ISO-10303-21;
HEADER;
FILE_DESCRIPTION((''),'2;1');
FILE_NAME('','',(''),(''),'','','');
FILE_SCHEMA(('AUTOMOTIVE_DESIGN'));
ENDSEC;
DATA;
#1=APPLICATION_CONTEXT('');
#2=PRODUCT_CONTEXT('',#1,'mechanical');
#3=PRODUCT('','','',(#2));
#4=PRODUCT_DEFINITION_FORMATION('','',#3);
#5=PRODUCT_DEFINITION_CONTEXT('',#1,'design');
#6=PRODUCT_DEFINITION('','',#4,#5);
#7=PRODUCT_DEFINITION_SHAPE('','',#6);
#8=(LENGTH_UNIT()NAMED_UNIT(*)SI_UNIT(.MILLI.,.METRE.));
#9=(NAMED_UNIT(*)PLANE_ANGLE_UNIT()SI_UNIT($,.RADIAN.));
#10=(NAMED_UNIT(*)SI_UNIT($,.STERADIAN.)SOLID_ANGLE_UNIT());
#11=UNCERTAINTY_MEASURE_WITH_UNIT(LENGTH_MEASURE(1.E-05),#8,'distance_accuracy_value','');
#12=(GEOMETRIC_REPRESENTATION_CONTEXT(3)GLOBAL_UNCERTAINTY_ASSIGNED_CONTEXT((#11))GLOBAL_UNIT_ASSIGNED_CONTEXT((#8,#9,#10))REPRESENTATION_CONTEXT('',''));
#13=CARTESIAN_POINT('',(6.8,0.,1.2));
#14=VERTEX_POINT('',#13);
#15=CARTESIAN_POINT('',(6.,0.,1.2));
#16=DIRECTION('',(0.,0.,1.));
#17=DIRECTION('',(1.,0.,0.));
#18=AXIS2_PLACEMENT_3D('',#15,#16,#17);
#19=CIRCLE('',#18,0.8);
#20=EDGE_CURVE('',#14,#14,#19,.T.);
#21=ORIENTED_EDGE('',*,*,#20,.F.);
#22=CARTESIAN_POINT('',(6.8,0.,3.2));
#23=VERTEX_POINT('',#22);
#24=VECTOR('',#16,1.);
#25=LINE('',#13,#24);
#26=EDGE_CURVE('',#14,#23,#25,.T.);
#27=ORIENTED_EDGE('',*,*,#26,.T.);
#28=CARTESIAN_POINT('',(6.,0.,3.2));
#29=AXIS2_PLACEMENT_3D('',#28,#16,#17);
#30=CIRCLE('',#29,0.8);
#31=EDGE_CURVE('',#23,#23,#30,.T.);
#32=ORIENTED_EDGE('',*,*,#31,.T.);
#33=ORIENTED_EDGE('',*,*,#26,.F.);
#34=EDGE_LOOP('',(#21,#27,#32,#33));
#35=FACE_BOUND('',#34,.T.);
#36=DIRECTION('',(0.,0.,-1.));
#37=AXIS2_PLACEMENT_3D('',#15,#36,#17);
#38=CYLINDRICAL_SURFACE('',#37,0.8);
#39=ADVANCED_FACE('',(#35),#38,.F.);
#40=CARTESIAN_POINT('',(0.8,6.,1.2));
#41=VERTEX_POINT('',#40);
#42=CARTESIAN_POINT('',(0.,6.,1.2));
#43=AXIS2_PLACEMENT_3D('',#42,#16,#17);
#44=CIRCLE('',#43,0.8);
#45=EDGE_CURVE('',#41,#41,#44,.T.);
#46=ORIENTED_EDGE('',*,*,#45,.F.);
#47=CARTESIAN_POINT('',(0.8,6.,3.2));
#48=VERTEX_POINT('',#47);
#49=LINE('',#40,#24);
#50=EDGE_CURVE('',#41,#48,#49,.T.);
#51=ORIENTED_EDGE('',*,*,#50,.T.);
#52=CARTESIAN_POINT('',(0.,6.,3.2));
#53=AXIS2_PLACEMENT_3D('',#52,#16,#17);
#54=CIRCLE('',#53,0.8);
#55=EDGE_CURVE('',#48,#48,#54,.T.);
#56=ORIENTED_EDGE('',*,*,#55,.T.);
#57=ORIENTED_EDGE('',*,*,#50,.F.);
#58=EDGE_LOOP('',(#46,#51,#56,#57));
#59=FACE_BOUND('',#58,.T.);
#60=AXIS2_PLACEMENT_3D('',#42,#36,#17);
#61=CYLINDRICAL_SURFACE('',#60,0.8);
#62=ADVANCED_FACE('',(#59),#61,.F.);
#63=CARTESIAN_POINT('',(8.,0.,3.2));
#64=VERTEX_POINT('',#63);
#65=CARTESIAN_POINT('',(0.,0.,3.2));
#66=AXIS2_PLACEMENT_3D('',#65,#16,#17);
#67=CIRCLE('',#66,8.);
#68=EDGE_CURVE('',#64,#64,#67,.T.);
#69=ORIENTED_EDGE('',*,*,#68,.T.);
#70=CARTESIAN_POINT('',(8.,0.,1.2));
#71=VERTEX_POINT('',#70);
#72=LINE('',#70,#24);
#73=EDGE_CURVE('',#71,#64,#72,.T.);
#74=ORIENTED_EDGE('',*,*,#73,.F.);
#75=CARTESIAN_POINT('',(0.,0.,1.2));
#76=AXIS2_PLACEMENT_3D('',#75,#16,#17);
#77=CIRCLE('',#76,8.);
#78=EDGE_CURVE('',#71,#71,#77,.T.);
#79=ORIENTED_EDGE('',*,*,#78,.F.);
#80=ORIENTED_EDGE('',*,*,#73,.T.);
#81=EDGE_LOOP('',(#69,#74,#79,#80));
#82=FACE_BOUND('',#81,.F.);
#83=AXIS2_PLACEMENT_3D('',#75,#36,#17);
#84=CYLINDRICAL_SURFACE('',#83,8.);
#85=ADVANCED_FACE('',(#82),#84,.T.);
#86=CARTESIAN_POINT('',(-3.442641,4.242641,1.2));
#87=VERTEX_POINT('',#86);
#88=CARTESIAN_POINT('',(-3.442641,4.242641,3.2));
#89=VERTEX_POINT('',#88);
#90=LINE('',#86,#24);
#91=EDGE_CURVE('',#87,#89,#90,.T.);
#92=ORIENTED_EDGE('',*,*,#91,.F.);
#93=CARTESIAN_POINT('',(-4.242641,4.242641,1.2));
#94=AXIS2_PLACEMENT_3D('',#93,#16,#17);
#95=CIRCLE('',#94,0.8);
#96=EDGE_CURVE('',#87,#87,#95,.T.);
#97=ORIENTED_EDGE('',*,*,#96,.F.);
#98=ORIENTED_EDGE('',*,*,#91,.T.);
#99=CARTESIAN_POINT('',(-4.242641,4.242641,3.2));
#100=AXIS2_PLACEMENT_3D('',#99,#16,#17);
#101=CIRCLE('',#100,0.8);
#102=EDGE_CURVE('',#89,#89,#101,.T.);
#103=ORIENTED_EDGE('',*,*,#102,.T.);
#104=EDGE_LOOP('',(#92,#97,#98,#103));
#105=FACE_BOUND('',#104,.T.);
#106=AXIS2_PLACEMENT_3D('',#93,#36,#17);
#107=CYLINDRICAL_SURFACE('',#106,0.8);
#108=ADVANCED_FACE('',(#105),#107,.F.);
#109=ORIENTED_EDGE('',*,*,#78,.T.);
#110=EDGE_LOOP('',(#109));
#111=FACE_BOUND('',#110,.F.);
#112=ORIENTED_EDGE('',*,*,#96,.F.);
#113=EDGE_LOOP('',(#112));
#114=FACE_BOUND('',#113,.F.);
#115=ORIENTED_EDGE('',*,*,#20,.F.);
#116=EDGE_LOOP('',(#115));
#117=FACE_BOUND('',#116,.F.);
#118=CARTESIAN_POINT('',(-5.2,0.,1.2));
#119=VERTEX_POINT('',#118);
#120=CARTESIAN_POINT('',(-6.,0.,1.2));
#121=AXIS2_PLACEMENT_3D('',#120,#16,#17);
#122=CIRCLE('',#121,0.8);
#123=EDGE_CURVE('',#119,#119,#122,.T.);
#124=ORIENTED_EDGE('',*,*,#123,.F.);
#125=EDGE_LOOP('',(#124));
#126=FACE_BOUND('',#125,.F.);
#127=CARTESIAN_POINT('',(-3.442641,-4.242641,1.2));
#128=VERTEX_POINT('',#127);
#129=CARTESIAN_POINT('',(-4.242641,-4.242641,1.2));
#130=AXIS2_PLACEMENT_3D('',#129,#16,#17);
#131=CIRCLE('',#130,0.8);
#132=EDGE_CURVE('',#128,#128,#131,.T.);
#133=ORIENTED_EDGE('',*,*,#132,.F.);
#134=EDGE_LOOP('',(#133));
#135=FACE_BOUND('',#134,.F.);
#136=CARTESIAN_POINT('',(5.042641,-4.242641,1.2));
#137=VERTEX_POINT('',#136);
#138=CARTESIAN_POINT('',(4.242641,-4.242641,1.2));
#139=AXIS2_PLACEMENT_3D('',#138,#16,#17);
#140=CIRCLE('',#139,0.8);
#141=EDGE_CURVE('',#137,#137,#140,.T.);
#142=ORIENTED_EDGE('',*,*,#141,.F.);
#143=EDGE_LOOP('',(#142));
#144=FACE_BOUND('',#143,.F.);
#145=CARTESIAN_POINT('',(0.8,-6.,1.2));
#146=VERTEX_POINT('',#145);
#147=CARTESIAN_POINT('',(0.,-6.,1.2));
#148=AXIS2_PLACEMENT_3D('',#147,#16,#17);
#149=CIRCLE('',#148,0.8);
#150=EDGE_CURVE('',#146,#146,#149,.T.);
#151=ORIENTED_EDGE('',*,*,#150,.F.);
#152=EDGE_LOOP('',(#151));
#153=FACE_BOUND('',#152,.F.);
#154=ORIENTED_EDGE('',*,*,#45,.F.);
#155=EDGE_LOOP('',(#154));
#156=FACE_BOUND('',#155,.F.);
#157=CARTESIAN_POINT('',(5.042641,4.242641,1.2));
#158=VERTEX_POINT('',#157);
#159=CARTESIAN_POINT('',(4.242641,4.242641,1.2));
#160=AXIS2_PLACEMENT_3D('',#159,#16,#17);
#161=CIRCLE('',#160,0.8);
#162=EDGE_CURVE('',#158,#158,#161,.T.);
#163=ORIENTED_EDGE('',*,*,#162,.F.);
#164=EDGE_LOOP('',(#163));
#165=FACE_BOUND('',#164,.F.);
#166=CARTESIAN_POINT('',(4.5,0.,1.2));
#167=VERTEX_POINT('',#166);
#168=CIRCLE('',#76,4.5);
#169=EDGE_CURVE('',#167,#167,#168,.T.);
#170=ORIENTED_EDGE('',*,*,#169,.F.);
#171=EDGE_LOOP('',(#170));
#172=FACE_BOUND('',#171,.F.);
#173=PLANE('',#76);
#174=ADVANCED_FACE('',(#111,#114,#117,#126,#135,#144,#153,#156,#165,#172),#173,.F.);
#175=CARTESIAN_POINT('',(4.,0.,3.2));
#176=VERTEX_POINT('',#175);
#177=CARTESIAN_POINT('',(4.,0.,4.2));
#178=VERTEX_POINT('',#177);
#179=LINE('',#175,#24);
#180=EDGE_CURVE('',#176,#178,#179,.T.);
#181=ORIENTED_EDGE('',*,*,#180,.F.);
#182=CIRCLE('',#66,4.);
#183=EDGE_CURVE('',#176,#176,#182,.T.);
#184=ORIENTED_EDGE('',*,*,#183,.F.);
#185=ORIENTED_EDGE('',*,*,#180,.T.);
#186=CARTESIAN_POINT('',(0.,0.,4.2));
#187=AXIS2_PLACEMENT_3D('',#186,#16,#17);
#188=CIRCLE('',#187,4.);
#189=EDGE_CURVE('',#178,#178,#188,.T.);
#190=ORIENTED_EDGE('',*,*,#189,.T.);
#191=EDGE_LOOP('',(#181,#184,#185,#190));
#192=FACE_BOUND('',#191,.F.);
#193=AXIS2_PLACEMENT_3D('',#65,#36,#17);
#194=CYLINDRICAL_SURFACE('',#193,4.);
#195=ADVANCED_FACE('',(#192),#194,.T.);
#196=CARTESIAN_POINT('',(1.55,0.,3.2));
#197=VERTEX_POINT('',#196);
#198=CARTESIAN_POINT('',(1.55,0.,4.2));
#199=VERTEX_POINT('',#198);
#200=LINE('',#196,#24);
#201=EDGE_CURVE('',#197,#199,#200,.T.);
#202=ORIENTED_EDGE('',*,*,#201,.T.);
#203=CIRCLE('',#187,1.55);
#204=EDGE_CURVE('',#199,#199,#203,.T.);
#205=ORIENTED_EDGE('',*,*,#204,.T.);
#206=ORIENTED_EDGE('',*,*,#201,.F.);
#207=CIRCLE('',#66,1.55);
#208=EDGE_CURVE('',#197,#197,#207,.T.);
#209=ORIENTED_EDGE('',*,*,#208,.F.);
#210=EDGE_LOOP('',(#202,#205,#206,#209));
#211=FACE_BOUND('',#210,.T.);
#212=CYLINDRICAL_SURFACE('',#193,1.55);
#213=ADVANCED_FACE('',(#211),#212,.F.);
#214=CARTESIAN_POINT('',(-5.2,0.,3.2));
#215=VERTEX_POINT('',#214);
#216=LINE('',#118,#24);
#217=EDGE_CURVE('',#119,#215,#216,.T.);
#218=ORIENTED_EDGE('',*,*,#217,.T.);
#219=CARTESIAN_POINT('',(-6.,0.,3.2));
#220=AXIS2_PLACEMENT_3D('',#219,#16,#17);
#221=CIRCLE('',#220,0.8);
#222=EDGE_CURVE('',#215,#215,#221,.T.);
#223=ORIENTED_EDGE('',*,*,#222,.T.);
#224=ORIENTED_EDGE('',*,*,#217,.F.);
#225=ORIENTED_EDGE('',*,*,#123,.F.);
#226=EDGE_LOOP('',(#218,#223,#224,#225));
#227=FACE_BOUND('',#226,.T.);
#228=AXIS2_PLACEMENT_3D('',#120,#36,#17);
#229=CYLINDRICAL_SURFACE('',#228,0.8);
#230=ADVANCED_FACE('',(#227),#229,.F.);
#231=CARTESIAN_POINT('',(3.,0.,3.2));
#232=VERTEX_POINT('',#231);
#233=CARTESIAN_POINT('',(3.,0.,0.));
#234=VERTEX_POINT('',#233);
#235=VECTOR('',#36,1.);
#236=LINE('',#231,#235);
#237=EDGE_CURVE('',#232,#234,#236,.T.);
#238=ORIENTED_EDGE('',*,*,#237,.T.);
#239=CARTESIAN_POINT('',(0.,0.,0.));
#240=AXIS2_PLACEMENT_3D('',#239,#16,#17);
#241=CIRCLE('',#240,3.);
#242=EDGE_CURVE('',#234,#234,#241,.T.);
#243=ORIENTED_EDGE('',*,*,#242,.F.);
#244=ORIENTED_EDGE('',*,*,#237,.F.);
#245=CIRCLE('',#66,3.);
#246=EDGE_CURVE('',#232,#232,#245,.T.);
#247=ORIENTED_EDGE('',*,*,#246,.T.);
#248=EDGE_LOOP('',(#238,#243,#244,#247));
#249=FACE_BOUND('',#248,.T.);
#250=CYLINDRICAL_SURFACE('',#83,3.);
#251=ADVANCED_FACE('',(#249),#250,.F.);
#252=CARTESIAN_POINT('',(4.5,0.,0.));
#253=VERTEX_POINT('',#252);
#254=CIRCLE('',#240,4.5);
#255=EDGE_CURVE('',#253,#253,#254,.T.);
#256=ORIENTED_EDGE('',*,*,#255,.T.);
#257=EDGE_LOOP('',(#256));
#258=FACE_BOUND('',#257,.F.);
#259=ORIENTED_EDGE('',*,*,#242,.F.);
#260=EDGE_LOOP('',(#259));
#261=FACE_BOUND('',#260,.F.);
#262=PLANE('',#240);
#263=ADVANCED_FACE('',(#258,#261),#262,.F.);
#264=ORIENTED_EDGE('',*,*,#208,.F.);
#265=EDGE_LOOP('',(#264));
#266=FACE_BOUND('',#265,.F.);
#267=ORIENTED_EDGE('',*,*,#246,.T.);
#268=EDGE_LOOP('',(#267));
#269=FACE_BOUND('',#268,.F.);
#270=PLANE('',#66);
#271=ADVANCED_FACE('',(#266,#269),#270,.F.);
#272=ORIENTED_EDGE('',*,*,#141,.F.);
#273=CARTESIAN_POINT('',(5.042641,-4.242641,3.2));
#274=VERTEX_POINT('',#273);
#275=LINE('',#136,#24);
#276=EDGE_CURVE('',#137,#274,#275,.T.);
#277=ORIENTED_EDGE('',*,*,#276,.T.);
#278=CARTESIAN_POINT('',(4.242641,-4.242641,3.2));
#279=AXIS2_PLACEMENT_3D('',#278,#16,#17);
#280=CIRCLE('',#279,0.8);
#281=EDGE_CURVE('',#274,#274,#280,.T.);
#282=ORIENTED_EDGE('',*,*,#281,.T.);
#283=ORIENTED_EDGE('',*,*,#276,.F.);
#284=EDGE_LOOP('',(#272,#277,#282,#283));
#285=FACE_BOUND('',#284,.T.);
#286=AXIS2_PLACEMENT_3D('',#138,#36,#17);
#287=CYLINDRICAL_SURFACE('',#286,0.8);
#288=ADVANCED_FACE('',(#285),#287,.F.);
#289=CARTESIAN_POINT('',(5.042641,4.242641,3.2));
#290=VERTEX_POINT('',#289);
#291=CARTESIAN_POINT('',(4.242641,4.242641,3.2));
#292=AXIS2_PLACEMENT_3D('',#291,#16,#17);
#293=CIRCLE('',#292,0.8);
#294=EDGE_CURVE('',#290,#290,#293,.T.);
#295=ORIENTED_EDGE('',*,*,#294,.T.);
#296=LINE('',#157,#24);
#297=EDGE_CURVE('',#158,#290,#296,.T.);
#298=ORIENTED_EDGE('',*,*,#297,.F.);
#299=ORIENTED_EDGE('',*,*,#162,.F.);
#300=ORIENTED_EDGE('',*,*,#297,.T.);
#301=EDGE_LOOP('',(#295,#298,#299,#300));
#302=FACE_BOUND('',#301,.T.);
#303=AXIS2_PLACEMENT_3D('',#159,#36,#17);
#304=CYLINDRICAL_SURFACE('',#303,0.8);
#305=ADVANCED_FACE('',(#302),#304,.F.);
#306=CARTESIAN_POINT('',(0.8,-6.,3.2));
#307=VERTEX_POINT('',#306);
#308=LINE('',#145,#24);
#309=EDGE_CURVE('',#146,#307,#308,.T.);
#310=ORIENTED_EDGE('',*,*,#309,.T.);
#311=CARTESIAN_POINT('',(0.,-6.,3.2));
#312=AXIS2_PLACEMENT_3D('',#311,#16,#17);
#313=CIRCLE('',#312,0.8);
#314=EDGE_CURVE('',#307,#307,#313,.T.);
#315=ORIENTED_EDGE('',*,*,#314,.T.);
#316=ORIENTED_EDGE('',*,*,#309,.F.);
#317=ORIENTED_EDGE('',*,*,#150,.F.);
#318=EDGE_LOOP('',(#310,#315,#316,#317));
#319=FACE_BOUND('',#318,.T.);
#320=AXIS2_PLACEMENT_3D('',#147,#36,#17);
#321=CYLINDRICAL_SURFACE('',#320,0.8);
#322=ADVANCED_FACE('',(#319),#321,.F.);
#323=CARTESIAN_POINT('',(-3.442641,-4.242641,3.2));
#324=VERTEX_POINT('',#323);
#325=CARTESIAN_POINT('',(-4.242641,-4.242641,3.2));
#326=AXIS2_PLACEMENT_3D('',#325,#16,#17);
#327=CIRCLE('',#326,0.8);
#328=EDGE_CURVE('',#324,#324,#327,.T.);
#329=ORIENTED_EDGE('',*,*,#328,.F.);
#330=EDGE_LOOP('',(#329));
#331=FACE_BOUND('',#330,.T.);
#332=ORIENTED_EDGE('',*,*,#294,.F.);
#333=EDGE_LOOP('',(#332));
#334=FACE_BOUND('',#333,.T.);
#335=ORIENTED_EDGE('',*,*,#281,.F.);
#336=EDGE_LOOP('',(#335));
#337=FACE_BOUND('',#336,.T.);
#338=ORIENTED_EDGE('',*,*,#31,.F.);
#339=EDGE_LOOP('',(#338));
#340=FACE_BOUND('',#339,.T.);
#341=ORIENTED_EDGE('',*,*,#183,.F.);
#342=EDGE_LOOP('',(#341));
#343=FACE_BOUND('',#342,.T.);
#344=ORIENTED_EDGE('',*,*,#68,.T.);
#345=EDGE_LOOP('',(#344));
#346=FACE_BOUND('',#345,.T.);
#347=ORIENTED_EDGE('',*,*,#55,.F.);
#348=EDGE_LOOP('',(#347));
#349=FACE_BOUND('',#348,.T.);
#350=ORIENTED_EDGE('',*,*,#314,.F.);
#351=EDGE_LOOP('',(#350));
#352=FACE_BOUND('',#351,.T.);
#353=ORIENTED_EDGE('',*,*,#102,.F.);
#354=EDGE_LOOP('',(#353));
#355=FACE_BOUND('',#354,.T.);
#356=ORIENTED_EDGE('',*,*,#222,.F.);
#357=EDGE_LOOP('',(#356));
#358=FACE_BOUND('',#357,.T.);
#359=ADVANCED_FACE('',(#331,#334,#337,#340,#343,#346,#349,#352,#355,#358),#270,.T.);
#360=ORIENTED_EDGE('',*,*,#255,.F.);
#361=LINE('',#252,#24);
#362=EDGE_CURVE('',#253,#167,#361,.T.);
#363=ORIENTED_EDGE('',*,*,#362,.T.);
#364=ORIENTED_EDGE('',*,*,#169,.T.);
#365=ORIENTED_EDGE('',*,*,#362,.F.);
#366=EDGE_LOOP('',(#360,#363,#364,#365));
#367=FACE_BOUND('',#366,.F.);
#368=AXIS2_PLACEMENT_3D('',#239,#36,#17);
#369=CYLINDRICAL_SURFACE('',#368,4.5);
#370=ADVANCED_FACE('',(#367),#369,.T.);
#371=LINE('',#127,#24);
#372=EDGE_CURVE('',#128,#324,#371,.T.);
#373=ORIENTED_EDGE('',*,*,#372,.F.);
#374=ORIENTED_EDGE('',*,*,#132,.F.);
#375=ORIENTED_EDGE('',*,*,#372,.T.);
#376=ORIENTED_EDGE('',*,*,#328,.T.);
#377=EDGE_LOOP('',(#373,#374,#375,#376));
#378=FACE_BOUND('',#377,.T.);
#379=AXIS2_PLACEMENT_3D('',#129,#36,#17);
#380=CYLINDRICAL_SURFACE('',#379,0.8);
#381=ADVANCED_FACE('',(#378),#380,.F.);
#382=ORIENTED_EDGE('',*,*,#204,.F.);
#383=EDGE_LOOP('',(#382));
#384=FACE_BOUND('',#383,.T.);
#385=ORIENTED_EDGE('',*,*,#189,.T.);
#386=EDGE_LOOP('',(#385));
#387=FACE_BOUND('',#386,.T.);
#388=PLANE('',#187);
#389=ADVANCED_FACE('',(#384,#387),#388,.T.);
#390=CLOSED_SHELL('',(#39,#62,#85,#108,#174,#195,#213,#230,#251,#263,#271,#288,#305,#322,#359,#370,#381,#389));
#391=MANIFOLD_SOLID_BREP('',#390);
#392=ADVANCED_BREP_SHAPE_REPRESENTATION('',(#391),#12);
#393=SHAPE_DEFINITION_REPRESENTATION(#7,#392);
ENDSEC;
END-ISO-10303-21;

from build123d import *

# Parameters (mm, degrees)
F0_R     = 4.5
F0_R_2   = 3
F1_DEPTH = 1.2
F2_R     = 8
F2_R_2   = 0.8
F2_R_3   = 4.5
F2_R_4   = 3
F3_DEPTH = 2
F4_R     = 4
F4_R_2   = 1.55
F5_DEPTH = 1


with BuildPart() as f1:
    # F0 (on Top) → F1 (new body)
    with BuildSketch(Plane.XY):
        Circle(F0_R)
        Circle(F0_R_2, mode=Mode.SUBTRACT)
    extrude(amount=F1_DEPTH)

    # F2 (on face) → F3 (join)
    with BuildSketch(Plane.XY.offset(1.2)):
        Circle(F2_R)
        with Locations((-4.2426406871, -4.2426406871)):
            Circle(F2_R_2, mode=Mode.SUBTRACT)
        with Locations((0, -6)):
            Circle(F2_R_2, mode=Mode.SUBTRACT)
        with Locations((4.2426406871, -4.2426406871)):
            Circle(F2_R_2, mode=Mode.SUBTRACT)
        with Locations((-6, 0)):
            Circle(F2_R_2, mode=Mode.SUBTRACT)
        with Locations((-4.2426406871, 4.2426406871)):
            Circle(F2_R_2, mode=Mode.SUBTRACT)
        Circle(F2_R_3, mode=Mode.SUBTRACT)
        with Locations((6, 0)):
            Circle(F2_R_2, mode=Mode.SUBTRACT)
        with Locations((0, 6)):
            Circle(F2_R_2, mode=Mode.SUBTRACT)
        with Locations((4.2426406871, 4.2426406871)):
            Circle(F2_R_2, mode=Mode.SUBTRACT)
        Circle(F2_R_3)
        Circle(F2_R_4, mode=Mode.SUBTRACT)
    extrude(amount=F3_DEPTH)

    # F4 (on face) → F5 (join)
    with BuildSketch(Plane.XY.offset(3.2)):
        Circle(F4_R)
        Circle(F4_R_2, mode=Mode.SUBTRACT)
    extrude(amount=F5_DEPTH)


solid = f1.part
